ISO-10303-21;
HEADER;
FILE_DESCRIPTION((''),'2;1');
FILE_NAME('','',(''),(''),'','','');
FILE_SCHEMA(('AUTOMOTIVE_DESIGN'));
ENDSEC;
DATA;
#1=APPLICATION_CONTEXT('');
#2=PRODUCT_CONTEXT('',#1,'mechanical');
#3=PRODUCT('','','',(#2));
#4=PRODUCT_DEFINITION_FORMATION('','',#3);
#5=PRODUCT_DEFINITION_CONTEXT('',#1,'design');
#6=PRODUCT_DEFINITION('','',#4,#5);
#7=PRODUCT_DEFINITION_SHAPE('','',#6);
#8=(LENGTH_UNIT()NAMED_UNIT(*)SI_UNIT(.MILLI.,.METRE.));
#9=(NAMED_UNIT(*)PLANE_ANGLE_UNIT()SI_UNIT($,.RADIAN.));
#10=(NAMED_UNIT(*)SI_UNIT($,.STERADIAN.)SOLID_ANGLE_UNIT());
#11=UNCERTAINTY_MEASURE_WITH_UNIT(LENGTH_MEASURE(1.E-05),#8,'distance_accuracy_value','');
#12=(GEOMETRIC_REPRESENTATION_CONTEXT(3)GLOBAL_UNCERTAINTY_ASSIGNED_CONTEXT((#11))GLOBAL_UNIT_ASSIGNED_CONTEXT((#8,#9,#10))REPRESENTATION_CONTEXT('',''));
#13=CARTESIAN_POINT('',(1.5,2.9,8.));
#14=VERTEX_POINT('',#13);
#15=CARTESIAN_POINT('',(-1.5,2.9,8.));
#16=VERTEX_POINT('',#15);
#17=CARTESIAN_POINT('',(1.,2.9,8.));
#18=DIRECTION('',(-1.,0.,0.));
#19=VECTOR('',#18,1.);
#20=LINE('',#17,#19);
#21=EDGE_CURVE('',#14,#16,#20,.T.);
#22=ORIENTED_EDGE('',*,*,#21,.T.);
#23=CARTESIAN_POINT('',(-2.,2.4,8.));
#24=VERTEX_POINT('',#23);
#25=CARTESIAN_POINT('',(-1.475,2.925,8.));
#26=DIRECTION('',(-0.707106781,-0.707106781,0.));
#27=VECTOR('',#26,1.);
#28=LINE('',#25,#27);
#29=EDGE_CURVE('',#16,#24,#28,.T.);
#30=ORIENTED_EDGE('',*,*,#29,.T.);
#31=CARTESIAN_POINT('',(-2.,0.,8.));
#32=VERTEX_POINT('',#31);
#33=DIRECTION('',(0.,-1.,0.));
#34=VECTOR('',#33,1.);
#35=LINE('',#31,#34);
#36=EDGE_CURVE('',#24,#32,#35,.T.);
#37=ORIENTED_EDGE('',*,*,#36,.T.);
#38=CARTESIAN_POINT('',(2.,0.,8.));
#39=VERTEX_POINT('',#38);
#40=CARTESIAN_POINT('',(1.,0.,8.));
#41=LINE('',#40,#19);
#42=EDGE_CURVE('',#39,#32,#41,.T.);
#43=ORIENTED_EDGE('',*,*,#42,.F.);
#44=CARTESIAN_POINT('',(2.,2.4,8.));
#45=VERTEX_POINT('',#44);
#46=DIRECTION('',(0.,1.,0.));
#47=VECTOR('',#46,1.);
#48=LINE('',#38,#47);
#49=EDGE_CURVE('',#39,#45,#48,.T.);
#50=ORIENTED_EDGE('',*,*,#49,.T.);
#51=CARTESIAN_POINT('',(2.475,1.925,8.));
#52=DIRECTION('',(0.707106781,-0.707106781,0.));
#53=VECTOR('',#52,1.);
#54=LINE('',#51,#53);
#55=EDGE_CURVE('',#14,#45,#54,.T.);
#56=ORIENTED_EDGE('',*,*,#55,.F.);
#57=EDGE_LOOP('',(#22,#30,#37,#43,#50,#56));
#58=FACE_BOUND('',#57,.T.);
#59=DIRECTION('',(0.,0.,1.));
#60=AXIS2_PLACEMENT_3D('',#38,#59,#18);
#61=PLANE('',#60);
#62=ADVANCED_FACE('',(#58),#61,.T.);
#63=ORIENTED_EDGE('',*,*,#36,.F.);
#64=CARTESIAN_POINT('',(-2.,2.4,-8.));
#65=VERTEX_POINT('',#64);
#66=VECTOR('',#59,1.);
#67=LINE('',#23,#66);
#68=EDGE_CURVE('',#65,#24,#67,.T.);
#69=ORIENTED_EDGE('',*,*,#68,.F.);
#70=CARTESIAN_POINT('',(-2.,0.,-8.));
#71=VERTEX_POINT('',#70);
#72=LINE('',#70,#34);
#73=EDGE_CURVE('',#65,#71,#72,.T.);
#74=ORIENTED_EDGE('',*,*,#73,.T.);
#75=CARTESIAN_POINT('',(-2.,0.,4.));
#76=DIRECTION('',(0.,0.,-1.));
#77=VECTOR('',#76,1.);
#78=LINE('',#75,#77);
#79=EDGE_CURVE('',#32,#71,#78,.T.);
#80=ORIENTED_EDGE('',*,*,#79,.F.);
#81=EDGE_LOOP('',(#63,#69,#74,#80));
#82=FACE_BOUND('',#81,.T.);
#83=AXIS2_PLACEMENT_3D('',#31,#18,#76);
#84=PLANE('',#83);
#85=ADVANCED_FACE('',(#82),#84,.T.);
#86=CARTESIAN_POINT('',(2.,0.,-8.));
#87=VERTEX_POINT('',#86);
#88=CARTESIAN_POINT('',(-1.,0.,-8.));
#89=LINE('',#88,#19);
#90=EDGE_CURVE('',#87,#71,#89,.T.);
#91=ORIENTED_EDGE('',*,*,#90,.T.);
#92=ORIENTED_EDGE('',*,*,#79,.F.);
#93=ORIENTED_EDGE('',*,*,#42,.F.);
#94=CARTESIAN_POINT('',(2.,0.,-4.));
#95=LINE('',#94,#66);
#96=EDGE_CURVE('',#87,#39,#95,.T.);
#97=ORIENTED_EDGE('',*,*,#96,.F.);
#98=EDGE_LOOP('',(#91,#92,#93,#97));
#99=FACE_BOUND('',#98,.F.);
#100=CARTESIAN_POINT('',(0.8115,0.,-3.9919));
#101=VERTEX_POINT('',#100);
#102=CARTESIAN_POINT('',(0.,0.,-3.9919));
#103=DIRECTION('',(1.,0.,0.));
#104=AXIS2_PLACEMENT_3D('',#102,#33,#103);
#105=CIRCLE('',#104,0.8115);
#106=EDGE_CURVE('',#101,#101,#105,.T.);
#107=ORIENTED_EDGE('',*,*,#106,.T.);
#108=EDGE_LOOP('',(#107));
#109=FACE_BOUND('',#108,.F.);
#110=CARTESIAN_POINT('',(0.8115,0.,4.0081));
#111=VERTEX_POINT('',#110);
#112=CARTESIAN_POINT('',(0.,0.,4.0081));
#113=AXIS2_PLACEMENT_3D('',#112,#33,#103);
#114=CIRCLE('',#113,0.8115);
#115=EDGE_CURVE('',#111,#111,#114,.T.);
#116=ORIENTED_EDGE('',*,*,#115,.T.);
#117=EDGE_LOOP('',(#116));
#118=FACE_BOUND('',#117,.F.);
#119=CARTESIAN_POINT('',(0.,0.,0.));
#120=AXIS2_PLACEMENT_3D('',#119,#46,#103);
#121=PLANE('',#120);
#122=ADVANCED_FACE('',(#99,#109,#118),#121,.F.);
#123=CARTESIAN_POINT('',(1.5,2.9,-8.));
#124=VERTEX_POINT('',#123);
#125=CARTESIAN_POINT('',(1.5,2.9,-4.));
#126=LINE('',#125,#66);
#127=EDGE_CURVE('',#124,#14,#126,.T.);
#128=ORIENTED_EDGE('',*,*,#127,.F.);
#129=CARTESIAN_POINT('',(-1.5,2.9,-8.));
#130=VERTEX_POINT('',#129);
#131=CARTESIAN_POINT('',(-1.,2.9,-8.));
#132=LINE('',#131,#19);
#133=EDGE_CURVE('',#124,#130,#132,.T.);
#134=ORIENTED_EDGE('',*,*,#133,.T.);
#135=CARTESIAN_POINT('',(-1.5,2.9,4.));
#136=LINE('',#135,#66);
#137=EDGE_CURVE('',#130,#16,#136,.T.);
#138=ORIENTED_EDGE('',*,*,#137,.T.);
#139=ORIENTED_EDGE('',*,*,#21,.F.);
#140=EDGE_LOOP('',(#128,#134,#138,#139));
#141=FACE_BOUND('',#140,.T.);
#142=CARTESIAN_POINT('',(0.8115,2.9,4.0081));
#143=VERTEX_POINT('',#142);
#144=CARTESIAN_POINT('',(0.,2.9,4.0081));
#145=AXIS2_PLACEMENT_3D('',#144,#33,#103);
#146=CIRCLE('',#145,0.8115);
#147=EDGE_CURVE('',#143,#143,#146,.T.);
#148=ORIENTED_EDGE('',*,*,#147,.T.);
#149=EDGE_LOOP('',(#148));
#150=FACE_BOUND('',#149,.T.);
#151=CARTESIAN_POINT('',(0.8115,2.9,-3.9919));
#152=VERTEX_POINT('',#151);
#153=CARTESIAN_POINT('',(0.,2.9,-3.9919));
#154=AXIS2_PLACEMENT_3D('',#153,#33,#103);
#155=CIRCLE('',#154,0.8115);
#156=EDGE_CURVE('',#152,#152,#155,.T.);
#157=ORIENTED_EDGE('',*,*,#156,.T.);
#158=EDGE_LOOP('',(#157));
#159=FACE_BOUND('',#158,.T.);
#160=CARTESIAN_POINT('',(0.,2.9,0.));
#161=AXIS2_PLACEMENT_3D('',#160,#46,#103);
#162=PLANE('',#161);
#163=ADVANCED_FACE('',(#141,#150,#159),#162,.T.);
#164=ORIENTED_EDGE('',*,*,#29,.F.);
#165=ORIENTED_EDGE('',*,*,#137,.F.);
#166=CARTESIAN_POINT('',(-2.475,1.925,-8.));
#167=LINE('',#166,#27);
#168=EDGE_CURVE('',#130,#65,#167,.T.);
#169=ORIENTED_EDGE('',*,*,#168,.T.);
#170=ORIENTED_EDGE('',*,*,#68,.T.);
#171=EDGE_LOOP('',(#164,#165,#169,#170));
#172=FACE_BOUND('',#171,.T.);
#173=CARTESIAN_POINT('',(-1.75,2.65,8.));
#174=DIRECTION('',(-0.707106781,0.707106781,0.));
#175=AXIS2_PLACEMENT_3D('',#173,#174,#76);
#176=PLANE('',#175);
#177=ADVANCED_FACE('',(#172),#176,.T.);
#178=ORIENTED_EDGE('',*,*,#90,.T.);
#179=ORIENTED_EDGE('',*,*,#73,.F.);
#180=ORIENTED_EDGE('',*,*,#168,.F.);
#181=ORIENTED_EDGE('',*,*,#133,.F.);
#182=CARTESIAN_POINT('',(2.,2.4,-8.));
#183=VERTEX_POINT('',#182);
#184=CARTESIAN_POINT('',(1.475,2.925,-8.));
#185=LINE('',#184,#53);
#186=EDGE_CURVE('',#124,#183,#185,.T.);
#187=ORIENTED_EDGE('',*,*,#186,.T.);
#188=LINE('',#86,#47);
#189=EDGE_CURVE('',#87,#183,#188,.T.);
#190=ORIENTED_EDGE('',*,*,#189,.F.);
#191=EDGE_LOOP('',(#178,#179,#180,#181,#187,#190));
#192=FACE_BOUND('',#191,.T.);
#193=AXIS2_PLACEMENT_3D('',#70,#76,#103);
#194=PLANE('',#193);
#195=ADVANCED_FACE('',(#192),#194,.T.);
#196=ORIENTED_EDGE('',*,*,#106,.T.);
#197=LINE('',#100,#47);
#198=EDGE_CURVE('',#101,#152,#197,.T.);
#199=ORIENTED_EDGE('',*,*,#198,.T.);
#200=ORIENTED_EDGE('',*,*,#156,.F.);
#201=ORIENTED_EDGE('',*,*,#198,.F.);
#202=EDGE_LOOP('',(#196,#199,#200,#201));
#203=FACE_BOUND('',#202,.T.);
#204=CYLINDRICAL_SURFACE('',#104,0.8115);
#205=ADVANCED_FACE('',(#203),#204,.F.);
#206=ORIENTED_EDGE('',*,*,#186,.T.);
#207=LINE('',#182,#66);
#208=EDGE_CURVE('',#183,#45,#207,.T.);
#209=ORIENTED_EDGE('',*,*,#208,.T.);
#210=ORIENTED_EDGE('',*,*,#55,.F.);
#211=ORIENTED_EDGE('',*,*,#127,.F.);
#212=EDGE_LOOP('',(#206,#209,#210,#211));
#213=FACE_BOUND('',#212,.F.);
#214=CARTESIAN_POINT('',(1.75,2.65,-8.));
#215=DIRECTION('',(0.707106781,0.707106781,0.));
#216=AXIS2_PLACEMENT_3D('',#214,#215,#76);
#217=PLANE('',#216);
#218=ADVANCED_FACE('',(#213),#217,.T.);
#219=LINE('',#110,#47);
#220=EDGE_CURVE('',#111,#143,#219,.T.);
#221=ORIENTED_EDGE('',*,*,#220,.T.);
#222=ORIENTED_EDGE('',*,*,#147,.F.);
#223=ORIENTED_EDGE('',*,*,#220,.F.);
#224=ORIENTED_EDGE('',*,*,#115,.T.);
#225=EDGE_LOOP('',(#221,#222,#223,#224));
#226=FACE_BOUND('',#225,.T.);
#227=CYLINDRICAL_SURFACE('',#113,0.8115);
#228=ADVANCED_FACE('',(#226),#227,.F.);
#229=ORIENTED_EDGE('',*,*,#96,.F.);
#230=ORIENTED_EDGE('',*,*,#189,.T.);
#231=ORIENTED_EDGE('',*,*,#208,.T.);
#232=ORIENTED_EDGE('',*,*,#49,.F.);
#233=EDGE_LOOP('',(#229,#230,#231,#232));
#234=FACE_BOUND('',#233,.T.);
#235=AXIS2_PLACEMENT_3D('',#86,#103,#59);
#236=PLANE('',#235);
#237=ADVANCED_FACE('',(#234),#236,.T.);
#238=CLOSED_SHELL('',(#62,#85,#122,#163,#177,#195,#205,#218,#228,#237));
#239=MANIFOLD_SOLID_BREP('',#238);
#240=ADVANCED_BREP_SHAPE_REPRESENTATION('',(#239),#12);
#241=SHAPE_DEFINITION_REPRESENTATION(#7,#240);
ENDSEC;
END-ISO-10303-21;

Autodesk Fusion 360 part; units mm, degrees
sketch "Sketch1" plane through (0, 0, 0) normal (0, 1, 0) x (1, 0, 0)
  line L0 (2, -8) -> (-2, -8)
  line L1 (-2, -8) -> (-2, 8)
  line L2 (-2, 8) -> (2, 8)
  line L3 (2, 8) -> (2, -8)
  line L4 (0, 3.9919) -> (0, -4.0081) construction
  circle A0 centre (0, 3.9919) radius 1
  circle A1 centre (0, -4.0081) radius 1
  dimension "d1" = 16
  dimension "d2" = 4
  dimension "d3" = 8
  dimension "d4" = 2
  dimension "d5" = 2
extrude "Extrude1" add sketch "Sketch1" along normal blind 2.9
chamfer "Chamfer1" distance 0.5 angle 45 1 edges at (2, 2.9, 0)
chamfer "Chamfer2" distance 0.5 angle 45 1 edges at (-2, 2.9, 0)
thread "Thread1" "ISO Metric profile 2.0 M2x0.4 6H" major diameter 2.074 minor diameter 1.623 pitch 0.4 angle 60 resizes the face on face at (0.9988, 1.9333, 4.058)
thread "Thread2" "ISO Metric profile 2.0 M2x0.4 6H" major diameter 2.074 minor diameter 1.623 pitch 0.4 angle 60 resizes the face on face at (0.9988, 0.9667, -4.0417)
